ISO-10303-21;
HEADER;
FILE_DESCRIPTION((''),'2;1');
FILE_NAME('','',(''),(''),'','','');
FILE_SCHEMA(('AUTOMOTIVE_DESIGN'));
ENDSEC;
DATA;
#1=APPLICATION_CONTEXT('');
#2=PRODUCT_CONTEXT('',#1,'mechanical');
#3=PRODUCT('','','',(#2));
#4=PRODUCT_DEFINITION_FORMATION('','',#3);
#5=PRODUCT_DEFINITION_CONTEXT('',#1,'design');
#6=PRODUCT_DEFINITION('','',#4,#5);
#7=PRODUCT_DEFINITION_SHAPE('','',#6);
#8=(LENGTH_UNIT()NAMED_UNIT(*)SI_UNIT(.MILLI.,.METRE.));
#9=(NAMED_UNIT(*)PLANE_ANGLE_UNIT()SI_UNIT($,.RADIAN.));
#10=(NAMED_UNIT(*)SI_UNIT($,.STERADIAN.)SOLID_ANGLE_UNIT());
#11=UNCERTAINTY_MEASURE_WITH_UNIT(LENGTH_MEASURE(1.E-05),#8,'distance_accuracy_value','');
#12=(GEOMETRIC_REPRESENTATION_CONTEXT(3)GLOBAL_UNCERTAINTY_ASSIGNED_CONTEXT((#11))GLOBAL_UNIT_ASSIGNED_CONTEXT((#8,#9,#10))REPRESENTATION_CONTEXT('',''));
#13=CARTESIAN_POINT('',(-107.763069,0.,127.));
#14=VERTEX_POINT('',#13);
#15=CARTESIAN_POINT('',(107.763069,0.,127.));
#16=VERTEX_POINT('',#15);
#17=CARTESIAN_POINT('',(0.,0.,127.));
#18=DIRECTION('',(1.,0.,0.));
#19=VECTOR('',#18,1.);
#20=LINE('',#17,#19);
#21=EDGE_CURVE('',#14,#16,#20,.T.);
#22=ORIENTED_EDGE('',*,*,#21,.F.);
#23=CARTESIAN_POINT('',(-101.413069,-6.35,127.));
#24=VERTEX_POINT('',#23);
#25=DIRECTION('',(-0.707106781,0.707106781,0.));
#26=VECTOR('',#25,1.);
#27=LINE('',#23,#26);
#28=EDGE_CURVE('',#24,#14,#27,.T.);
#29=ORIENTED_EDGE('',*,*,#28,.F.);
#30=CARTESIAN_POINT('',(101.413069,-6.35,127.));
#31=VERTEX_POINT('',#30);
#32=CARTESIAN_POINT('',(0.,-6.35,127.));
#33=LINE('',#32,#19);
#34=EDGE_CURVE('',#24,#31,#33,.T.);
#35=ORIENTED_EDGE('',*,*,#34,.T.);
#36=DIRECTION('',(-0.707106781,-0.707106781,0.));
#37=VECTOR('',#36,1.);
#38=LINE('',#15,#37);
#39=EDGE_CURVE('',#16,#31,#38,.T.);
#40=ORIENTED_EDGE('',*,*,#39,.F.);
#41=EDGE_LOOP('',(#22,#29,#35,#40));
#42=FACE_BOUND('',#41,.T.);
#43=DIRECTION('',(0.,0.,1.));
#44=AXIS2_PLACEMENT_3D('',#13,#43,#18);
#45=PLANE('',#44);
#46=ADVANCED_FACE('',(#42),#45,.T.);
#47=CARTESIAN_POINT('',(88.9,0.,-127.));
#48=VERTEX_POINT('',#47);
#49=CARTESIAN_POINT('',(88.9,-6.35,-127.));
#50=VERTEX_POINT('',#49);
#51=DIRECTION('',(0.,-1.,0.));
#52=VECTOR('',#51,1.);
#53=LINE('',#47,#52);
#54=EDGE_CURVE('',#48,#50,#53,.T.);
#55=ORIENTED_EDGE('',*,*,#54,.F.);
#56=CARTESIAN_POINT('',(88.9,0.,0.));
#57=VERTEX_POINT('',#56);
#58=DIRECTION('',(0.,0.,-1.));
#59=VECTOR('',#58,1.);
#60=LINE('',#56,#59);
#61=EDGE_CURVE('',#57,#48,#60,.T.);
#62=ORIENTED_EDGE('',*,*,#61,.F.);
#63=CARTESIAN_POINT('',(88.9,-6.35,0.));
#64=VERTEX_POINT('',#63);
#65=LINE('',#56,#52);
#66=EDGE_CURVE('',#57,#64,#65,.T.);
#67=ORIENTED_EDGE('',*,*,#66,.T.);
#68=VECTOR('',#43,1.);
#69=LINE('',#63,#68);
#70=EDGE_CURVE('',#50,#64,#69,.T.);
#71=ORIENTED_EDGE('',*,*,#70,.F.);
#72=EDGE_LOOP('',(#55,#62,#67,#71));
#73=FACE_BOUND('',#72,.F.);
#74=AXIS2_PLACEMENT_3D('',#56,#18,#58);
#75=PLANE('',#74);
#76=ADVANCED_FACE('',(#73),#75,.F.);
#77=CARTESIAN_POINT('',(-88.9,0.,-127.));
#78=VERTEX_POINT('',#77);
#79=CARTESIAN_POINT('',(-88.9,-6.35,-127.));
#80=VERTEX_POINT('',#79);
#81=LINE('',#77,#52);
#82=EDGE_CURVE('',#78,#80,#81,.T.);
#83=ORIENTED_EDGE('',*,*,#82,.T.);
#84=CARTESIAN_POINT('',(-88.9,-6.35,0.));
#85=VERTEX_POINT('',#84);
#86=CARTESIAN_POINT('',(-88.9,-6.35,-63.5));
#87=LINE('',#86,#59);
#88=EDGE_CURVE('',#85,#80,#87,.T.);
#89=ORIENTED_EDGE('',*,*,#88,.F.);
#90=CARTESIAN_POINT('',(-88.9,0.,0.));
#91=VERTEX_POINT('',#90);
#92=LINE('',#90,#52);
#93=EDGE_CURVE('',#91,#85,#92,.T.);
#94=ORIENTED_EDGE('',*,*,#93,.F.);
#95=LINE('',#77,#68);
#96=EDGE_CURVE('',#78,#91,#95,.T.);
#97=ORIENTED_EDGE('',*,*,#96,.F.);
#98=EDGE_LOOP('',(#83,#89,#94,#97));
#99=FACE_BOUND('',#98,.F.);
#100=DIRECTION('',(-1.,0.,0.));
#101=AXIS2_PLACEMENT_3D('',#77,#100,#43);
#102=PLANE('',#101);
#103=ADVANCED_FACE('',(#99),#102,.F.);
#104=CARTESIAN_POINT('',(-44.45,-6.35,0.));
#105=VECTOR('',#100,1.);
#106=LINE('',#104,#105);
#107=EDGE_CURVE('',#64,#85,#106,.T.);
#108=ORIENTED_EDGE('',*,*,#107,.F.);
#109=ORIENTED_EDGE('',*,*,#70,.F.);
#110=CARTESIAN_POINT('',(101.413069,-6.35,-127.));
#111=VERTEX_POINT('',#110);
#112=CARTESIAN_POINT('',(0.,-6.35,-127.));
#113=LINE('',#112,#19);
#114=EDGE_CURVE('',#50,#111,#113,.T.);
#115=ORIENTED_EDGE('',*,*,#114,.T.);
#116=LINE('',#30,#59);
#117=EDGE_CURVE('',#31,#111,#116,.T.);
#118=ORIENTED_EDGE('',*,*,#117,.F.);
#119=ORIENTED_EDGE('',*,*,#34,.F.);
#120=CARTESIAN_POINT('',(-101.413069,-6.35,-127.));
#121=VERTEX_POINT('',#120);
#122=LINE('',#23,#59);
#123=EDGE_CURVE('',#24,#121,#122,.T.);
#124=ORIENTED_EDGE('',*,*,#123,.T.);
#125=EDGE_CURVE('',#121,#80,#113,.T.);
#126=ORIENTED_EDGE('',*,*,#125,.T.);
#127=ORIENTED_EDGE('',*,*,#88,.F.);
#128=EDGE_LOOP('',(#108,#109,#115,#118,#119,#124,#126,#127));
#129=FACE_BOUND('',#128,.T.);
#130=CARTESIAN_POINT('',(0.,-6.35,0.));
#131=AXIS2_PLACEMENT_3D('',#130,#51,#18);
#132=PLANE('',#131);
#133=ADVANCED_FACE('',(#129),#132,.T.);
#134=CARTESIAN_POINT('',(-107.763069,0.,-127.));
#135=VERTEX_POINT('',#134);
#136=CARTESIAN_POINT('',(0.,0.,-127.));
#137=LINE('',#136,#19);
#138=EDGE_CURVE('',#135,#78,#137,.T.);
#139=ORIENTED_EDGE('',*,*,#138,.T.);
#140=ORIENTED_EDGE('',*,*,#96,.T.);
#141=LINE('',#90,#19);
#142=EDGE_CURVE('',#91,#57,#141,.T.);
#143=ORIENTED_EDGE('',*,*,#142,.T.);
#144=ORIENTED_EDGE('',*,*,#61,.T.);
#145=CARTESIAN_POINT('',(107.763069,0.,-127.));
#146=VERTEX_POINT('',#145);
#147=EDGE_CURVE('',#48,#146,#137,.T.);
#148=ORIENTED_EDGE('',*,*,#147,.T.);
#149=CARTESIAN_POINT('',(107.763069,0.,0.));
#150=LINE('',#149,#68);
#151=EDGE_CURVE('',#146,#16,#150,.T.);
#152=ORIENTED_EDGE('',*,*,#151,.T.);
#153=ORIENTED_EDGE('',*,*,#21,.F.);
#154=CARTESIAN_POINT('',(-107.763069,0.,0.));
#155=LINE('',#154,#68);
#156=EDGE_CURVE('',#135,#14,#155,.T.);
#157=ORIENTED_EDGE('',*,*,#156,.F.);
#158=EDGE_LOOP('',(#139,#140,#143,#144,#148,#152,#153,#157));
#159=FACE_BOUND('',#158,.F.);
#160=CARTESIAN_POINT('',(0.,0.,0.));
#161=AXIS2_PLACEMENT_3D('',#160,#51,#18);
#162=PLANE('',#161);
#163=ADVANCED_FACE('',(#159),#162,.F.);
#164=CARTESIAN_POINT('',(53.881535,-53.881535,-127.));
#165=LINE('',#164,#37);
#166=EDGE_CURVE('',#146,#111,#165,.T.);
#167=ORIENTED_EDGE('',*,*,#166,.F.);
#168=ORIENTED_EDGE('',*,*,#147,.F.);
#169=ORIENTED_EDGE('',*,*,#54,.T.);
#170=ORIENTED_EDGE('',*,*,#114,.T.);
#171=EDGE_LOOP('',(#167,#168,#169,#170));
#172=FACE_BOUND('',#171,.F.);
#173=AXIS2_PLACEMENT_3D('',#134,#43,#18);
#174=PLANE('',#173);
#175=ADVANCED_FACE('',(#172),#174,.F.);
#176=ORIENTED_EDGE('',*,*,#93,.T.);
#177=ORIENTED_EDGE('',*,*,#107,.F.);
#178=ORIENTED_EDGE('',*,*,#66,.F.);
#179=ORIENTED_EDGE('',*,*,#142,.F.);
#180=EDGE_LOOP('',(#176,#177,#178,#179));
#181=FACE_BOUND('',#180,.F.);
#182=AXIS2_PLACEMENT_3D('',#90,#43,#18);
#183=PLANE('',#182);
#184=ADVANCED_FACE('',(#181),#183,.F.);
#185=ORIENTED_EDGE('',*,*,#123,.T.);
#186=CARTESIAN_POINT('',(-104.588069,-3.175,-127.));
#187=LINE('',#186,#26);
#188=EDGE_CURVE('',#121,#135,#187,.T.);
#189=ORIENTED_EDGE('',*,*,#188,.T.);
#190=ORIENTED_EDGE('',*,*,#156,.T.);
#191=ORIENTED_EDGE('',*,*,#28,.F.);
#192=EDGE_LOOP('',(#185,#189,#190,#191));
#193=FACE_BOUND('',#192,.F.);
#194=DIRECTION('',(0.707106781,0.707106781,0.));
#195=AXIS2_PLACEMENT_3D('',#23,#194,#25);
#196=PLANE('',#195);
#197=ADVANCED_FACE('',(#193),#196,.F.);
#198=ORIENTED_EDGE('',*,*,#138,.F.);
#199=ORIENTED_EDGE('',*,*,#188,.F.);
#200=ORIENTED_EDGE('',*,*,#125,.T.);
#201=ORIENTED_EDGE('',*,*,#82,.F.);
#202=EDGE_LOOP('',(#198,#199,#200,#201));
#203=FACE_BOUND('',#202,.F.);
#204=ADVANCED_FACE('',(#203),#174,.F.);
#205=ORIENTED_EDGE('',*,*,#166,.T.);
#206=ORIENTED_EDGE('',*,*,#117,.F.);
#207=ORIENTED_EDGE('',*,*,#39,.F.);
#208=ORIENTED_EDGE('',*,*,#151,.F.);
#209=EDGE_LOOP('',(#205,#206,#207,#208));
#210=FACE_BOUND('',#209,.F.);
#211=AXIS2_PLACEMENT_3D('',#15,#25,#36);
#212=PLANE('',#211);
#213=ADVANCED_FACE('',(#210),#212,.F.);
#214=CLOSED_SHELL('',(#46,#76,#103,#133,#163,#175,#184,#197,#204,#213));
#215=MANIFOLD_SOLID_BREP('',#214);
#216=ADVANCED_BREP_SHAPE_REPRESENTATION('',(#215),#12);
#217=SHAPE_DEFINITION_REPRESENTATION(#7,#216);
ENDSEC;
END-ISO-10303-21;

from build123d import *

# Parameters (mm, degrees)
F0_W     = 215.526138
F0_H     = 254
F1_DEPTH = 6.35
F3_DEPTH = 254.001
F5_DEPTH = 25.4


with BuildPart() as f1:
    # F0 (on Front) → F1 (new body)
    with BuildSketch(Plane.XZ):
        Rectangle(F0_W, F0_H)
    extrude(amount=F1_DEPTH)

    # F2 (on face) → F3 (cut, through all)
    with BuildSketch(Plane.XY.offset(127)):
        Polygon((-107.763069, 0), (-107.763069, -6.35), (-101.413069, -6.35), align=None)
        Polygon((107.763069, 0), (101.413069, -6.35), (107.763069, -6.35), align=None)
    extrude(amount=-F3_DEPTH, mode=Mode.SUBTRACT)

    # F4 (on face) → F5 (cut)
    with BuildSketch(Plane(origin=(0, 0, 0), x_dir=(-1, 0, 0), z_dir=(0, 1, 0))):
        Polygon((88.9, 0), (0, 0), (-88.9, 0), (-88.9, -127), (88.9, -127), align=None)
    extrude(amount=-F5_DEPTH, mode=Mode.SUBTRACT)


solid = f1.part
